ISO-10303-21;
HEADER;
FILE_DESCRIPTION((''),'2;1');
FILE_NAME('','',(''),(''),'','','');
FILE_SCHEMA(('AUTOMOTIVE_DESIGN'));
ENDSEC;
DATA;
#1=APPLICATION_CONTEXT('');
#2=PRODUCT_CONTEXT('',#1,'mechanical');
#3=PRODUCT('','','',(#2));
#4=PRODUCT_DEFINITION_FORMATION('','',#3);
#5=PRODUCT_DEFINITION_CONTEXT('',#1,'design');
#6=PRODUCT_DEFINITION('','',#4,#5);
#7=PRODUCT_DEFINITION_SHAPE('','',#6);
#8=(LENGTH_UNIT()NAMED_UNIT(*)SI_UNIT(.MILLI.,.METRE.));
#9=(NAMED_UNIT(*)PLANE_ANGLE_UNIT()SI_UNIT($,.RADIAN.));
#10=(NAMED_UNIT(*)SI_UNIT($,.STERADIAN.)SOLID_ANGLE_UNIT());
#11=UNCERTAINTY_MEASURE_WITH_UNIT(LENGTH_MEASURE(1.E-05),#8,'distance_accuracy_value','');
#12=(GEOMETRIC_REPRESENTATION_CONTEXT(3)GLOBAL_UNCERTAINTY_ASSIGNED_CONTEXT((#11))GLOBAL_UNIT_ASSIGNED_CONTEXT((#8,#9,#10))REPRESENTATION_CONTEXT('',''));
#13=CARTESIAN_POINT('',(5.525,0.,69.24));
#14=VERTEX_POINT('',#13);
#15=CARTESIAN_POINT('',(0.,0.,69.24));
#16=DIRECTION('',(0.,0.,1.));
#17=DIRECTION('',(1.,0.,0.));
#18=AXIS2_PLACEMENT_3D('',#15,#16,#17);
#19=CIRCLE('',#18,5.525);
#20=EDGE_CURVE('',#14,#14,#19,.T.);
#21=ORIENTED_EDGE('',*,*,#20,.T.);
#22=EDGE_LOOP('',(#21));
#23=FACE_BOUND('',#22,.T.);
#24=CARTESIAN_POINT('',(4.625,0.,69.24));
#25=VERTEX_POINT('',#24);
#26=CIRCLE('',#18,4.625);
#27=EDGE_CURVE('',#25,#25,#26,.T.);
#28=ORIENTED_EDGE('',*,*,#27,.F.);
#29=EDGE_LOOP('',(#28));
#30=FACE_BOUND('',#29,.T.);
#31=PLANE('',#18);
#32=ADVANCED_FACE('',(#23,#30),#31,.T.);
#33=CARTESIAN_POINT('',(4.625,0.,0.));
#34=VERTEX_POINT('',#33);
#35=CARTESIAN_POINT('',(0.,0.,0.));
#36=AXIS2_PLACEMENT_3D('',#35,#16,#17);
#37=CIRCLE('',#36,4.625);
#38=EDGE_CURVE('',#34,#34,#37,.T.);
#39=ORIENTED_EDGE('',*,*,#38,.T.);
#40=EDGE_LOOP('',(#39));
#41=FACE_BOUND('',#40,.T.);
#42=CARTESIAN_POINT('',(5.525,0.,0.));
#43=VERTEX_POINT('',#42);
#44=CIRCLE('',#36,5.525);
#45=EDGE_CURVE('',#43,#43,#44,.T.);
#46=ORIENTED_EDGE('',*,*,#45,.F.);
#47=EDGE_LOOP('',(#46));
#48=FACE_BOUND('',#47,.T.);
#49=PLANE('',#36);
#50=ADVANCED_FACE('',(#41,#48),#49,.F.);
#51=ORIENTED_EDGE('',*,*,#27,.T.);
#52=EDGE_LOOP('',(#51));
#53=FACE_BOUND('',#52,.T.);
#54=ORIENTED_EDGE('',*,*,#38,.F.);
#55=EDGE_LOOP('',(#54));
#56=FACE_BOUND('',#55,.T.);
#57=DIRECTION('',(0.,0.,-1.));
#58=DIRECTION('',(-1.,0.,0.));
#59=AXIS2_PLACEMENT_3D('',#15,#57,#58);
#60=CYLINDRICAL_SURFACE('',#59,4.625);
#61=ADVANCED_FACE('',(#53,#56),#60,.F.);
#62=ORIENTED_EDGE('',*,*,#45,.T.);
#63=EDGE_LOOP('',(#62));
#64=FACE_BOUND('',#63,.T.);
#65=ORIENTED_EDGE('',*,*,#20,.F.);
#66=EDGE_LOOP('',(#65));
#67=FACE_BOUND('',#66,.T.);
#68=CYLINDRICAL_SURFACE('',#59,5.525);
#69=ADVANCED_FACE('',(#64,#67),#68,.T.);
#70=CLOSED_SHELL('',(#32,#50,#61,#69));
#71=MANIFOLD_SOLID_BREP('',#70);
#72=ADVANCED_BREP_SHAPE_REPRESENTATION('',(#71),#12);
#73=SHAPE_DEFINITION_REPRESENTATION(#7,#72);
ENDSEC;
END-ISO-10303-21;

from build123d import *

# Parameters (mm, degrees)
ESQUISSE1_R        = 5.525
ESQUISSE1_R_2      = 4.625
BOSS_EXTRU_1_DEPTH = 69.24


with BuildPart() as part:
    # Esquisse1 → Boss.-Extru.1 (new body)
    with BuildSketch(Plane.XY):
        Circle(ESQUISSE1_R)
        Circle(ESQUISSE1_R_2, mode=Mode.SUBTRACT)
    extrude(amount=BOSS_EXTRU_1_DEPTH)


solid = part.part
